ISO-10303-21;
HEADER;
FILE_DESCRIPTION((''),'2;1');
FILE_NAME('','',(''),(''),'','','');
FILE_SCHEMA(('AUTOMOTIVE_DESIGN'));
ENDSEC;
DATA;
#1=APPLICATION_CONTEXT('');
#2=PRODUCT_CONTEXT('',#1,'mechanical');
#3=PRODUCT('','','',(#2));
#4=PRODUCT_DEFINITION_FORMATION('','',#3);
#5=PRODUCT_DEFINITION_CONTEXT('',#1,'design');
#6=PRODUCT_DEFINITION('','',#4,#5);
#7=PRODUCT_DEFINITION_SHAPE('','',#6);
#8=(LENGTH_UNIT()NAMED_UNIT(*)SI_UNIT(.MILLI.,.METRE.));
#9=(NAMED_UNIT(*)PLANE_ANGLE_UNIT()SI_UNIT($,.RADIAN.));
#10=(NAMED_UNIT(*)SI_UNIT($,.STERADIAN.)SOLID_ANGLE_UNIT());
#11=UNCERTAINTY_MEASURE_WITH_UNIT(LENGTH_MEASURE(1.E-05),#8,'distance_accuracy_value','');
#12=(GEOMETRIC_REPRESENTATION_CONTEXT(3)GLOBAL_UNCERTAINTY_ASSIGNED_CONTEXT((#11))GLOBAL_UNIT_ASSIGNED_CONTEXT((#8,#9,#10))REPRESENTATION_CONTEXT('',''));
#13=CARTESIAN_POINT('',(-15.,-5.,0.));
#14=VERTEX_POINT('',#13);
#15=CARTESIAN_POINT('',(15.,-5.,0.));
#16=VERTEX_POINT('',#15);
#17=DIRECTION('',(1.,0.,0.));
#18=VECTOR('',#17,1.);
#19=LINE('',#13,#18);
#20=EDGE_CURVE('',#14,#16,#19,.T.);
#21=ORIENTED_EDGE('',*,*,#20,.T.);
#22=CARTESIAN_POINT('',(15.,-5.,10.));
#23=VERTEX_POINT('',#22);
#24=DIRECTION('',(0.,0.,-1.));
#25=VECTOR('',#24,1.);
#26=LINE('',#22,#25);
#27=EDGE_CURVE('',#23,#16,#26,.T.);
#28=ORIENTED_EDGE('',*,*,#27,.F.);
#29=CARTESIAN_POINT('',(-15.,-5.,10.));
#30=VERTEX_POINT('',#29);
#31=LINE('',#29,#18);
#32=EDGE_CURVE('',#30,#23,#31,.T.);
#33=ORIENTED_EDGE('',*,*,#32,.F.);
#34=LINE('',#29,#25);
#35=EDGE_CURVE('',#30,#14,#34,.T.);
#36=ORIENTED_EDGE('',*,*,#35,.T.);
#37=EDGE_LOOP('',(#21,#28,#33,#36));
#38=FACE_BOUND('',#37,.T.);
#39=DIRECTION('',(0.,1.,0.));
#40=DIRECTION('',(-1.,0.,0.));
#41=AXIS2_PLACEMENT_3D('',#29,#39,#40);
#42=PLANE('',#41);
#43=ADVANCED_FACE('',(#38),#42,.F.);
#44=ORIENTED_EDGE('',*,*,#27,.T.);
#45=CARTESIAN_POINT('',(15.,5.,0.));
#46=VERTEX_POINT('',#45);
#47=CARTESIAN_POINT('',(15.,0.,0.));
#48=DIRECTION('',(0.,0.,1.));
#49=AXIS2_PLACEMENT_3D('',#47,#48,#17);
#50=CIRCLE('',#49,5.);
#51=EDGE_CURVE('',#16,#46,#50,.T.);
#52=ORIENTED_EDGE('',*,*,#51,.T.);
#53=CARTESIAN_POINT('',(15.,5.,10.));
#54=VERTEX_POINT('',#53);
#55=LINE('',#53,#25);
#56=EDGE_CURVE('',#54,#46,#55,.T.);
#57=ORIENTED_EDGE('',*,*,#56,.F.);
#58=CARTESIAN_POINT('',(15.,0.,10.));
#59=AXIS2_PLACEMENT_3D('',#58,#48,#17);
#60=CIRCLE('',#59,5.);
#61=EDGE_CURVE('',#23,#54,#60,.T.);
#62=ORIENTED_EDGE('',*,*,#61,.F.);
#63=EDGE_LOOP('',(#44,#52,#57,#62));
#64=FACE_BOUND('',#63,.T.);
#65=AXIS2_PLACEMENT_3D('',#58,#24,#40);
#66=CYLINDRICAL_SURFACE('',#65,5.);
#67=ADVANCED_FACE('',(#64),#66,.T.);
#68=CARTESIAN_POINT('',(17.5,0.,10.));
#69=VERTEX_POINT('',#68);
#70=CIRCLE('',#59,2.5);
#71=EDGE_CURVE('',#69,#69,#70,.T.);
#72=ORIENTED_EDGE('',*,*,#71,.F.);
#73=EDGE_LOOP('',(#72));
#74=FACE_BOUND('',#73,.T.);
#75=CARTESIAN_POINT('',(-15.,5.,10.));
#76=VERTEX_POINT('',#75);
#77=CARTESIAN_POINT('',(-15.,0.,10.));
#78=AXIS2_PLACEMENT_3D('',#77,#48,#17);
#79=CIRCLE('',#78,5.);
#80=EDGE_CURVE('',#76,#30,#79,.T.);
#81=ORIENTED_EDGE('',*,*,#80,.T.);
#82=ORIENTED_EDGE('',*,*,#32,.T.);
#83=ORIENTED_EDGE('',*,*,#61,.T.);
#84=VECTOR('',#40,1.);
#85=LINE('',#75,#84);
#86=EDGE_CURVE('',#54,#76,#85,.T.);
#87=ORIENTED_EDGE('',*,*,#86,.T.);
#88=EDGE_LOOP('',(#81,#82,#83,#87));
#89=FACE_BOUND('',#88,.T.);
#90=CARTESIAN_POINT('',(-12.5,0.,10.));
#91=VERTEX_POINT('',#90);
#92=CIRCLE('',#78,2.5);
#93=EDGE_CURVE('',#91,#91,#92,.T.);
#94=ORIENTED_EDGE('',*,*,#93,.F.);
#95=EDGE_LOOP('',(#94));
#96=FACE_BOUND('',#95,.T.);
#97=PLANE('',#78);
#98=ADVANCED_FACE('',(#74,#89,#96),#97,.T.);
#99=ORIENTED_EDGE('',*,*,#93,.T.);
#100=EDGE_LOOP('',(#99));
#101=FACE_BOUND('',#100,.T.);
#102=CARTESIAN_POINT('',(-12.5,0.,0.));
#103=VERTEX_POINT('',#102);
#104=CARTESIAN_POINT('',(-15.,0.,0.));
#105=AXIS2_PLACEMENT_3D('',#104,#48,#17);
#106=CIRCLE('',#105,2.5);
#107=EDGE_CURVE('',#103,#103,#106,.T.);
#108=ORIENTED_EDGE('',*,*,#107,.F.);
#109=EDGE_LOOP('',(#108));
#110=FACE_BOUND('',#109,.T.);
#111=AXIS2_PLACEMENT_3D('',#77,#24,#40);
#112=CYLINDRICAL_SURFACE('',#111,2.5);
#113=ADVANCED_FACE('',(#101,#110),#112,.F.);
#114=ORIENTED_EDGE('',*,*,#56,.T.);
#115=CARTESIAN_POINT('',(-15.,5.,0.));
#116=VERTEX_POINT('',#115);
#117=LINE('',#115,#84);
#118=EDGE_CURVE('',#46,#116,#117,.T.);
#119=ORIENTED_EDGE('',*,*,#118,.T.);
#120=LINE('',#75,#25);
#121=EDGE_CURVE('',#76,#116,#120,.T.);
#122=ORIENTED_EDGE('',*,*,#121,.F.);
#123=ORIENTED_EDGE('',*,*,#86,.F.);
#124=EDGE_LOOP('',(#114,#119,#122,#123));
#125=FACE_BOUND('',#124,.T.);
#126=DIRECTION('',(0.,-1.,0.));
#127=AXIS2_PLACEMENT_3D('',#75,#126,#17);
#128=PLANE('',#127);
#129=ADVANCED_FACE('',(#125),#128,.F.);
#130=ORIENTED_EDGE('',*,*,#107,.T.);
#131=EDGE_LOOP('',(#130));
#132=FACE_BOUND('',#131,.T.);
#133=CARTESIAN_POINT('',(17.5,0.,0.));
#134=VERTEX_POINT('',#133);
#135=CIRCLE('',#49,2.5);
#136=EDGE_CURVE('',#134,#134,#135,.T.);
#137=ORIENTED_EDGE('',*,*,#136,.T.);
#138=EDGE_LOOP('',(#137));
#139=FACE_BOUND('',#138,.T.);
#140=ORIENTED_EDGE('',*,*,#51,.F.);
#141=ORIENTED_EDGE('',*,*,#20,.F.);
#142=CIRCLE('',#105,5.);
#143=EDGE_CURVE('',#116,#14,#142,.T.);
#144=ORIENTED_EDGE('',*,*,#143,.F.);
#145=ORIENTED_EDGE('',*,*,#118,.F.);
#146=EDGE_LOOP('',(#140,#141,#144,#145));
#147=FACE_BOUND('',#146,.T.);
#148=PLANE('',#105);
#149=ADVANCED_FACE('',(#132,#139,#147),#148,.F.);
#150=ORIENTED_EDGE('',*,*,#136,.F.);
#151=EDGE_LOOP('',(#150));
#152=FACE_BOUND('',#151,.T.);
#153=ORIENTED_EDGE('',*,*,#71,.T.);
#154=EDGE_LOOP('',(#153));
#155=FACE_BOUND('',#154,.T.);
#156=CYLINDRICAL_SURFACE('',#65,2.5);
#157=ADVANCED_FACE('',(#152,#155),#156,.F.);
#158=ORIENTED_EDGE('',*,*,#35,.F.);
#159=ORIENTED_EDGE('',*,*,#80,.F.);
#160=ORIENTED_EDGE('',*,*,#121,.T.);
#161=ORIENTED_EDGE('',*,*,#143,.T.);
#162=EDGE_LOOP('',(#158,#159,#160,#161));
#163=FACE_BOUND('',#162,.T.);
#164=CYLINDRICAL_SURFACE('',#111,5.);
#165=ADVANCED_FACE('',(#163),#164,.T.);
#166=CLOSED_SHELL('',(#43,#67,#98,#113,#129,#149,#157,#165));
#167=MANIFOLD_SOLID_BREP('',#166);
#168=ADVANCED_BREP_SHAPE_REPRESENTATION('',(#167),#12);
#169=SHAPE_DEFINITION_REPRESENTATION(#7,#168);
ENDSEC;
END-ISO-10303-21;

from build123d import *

# Parameters (mm, degrees)
SKETCH1_R           = 2.5
BOSS_EXTRUDE1_DEPTH = 10


with BuildPart() as part:
    # Sketch1 → Boss-Extrude1 (new body)
    with BuildSketch(Plane.XY):
        with BuildLine():
            Line((-15, 5), (15, 5))
            ThreePointArc((15, 5), (20, 0), (15, -5))
            Line((15, -5), (-15, -5))
            ThreePointArc((-15, -5), (-20, 0), (-15, 5))
        make_face()
        with Locations((-15, 0)):
            Circle(SKETCH1_R, mode=Mode.SUBTRACT)
        with Locations((15, 0)):
            Circle(SKETCH1_R, mode=Mode.SUBTRACT)
    extrude(amount=BOSS_EXTRUDE1_DEPTH)


solid = part.part
